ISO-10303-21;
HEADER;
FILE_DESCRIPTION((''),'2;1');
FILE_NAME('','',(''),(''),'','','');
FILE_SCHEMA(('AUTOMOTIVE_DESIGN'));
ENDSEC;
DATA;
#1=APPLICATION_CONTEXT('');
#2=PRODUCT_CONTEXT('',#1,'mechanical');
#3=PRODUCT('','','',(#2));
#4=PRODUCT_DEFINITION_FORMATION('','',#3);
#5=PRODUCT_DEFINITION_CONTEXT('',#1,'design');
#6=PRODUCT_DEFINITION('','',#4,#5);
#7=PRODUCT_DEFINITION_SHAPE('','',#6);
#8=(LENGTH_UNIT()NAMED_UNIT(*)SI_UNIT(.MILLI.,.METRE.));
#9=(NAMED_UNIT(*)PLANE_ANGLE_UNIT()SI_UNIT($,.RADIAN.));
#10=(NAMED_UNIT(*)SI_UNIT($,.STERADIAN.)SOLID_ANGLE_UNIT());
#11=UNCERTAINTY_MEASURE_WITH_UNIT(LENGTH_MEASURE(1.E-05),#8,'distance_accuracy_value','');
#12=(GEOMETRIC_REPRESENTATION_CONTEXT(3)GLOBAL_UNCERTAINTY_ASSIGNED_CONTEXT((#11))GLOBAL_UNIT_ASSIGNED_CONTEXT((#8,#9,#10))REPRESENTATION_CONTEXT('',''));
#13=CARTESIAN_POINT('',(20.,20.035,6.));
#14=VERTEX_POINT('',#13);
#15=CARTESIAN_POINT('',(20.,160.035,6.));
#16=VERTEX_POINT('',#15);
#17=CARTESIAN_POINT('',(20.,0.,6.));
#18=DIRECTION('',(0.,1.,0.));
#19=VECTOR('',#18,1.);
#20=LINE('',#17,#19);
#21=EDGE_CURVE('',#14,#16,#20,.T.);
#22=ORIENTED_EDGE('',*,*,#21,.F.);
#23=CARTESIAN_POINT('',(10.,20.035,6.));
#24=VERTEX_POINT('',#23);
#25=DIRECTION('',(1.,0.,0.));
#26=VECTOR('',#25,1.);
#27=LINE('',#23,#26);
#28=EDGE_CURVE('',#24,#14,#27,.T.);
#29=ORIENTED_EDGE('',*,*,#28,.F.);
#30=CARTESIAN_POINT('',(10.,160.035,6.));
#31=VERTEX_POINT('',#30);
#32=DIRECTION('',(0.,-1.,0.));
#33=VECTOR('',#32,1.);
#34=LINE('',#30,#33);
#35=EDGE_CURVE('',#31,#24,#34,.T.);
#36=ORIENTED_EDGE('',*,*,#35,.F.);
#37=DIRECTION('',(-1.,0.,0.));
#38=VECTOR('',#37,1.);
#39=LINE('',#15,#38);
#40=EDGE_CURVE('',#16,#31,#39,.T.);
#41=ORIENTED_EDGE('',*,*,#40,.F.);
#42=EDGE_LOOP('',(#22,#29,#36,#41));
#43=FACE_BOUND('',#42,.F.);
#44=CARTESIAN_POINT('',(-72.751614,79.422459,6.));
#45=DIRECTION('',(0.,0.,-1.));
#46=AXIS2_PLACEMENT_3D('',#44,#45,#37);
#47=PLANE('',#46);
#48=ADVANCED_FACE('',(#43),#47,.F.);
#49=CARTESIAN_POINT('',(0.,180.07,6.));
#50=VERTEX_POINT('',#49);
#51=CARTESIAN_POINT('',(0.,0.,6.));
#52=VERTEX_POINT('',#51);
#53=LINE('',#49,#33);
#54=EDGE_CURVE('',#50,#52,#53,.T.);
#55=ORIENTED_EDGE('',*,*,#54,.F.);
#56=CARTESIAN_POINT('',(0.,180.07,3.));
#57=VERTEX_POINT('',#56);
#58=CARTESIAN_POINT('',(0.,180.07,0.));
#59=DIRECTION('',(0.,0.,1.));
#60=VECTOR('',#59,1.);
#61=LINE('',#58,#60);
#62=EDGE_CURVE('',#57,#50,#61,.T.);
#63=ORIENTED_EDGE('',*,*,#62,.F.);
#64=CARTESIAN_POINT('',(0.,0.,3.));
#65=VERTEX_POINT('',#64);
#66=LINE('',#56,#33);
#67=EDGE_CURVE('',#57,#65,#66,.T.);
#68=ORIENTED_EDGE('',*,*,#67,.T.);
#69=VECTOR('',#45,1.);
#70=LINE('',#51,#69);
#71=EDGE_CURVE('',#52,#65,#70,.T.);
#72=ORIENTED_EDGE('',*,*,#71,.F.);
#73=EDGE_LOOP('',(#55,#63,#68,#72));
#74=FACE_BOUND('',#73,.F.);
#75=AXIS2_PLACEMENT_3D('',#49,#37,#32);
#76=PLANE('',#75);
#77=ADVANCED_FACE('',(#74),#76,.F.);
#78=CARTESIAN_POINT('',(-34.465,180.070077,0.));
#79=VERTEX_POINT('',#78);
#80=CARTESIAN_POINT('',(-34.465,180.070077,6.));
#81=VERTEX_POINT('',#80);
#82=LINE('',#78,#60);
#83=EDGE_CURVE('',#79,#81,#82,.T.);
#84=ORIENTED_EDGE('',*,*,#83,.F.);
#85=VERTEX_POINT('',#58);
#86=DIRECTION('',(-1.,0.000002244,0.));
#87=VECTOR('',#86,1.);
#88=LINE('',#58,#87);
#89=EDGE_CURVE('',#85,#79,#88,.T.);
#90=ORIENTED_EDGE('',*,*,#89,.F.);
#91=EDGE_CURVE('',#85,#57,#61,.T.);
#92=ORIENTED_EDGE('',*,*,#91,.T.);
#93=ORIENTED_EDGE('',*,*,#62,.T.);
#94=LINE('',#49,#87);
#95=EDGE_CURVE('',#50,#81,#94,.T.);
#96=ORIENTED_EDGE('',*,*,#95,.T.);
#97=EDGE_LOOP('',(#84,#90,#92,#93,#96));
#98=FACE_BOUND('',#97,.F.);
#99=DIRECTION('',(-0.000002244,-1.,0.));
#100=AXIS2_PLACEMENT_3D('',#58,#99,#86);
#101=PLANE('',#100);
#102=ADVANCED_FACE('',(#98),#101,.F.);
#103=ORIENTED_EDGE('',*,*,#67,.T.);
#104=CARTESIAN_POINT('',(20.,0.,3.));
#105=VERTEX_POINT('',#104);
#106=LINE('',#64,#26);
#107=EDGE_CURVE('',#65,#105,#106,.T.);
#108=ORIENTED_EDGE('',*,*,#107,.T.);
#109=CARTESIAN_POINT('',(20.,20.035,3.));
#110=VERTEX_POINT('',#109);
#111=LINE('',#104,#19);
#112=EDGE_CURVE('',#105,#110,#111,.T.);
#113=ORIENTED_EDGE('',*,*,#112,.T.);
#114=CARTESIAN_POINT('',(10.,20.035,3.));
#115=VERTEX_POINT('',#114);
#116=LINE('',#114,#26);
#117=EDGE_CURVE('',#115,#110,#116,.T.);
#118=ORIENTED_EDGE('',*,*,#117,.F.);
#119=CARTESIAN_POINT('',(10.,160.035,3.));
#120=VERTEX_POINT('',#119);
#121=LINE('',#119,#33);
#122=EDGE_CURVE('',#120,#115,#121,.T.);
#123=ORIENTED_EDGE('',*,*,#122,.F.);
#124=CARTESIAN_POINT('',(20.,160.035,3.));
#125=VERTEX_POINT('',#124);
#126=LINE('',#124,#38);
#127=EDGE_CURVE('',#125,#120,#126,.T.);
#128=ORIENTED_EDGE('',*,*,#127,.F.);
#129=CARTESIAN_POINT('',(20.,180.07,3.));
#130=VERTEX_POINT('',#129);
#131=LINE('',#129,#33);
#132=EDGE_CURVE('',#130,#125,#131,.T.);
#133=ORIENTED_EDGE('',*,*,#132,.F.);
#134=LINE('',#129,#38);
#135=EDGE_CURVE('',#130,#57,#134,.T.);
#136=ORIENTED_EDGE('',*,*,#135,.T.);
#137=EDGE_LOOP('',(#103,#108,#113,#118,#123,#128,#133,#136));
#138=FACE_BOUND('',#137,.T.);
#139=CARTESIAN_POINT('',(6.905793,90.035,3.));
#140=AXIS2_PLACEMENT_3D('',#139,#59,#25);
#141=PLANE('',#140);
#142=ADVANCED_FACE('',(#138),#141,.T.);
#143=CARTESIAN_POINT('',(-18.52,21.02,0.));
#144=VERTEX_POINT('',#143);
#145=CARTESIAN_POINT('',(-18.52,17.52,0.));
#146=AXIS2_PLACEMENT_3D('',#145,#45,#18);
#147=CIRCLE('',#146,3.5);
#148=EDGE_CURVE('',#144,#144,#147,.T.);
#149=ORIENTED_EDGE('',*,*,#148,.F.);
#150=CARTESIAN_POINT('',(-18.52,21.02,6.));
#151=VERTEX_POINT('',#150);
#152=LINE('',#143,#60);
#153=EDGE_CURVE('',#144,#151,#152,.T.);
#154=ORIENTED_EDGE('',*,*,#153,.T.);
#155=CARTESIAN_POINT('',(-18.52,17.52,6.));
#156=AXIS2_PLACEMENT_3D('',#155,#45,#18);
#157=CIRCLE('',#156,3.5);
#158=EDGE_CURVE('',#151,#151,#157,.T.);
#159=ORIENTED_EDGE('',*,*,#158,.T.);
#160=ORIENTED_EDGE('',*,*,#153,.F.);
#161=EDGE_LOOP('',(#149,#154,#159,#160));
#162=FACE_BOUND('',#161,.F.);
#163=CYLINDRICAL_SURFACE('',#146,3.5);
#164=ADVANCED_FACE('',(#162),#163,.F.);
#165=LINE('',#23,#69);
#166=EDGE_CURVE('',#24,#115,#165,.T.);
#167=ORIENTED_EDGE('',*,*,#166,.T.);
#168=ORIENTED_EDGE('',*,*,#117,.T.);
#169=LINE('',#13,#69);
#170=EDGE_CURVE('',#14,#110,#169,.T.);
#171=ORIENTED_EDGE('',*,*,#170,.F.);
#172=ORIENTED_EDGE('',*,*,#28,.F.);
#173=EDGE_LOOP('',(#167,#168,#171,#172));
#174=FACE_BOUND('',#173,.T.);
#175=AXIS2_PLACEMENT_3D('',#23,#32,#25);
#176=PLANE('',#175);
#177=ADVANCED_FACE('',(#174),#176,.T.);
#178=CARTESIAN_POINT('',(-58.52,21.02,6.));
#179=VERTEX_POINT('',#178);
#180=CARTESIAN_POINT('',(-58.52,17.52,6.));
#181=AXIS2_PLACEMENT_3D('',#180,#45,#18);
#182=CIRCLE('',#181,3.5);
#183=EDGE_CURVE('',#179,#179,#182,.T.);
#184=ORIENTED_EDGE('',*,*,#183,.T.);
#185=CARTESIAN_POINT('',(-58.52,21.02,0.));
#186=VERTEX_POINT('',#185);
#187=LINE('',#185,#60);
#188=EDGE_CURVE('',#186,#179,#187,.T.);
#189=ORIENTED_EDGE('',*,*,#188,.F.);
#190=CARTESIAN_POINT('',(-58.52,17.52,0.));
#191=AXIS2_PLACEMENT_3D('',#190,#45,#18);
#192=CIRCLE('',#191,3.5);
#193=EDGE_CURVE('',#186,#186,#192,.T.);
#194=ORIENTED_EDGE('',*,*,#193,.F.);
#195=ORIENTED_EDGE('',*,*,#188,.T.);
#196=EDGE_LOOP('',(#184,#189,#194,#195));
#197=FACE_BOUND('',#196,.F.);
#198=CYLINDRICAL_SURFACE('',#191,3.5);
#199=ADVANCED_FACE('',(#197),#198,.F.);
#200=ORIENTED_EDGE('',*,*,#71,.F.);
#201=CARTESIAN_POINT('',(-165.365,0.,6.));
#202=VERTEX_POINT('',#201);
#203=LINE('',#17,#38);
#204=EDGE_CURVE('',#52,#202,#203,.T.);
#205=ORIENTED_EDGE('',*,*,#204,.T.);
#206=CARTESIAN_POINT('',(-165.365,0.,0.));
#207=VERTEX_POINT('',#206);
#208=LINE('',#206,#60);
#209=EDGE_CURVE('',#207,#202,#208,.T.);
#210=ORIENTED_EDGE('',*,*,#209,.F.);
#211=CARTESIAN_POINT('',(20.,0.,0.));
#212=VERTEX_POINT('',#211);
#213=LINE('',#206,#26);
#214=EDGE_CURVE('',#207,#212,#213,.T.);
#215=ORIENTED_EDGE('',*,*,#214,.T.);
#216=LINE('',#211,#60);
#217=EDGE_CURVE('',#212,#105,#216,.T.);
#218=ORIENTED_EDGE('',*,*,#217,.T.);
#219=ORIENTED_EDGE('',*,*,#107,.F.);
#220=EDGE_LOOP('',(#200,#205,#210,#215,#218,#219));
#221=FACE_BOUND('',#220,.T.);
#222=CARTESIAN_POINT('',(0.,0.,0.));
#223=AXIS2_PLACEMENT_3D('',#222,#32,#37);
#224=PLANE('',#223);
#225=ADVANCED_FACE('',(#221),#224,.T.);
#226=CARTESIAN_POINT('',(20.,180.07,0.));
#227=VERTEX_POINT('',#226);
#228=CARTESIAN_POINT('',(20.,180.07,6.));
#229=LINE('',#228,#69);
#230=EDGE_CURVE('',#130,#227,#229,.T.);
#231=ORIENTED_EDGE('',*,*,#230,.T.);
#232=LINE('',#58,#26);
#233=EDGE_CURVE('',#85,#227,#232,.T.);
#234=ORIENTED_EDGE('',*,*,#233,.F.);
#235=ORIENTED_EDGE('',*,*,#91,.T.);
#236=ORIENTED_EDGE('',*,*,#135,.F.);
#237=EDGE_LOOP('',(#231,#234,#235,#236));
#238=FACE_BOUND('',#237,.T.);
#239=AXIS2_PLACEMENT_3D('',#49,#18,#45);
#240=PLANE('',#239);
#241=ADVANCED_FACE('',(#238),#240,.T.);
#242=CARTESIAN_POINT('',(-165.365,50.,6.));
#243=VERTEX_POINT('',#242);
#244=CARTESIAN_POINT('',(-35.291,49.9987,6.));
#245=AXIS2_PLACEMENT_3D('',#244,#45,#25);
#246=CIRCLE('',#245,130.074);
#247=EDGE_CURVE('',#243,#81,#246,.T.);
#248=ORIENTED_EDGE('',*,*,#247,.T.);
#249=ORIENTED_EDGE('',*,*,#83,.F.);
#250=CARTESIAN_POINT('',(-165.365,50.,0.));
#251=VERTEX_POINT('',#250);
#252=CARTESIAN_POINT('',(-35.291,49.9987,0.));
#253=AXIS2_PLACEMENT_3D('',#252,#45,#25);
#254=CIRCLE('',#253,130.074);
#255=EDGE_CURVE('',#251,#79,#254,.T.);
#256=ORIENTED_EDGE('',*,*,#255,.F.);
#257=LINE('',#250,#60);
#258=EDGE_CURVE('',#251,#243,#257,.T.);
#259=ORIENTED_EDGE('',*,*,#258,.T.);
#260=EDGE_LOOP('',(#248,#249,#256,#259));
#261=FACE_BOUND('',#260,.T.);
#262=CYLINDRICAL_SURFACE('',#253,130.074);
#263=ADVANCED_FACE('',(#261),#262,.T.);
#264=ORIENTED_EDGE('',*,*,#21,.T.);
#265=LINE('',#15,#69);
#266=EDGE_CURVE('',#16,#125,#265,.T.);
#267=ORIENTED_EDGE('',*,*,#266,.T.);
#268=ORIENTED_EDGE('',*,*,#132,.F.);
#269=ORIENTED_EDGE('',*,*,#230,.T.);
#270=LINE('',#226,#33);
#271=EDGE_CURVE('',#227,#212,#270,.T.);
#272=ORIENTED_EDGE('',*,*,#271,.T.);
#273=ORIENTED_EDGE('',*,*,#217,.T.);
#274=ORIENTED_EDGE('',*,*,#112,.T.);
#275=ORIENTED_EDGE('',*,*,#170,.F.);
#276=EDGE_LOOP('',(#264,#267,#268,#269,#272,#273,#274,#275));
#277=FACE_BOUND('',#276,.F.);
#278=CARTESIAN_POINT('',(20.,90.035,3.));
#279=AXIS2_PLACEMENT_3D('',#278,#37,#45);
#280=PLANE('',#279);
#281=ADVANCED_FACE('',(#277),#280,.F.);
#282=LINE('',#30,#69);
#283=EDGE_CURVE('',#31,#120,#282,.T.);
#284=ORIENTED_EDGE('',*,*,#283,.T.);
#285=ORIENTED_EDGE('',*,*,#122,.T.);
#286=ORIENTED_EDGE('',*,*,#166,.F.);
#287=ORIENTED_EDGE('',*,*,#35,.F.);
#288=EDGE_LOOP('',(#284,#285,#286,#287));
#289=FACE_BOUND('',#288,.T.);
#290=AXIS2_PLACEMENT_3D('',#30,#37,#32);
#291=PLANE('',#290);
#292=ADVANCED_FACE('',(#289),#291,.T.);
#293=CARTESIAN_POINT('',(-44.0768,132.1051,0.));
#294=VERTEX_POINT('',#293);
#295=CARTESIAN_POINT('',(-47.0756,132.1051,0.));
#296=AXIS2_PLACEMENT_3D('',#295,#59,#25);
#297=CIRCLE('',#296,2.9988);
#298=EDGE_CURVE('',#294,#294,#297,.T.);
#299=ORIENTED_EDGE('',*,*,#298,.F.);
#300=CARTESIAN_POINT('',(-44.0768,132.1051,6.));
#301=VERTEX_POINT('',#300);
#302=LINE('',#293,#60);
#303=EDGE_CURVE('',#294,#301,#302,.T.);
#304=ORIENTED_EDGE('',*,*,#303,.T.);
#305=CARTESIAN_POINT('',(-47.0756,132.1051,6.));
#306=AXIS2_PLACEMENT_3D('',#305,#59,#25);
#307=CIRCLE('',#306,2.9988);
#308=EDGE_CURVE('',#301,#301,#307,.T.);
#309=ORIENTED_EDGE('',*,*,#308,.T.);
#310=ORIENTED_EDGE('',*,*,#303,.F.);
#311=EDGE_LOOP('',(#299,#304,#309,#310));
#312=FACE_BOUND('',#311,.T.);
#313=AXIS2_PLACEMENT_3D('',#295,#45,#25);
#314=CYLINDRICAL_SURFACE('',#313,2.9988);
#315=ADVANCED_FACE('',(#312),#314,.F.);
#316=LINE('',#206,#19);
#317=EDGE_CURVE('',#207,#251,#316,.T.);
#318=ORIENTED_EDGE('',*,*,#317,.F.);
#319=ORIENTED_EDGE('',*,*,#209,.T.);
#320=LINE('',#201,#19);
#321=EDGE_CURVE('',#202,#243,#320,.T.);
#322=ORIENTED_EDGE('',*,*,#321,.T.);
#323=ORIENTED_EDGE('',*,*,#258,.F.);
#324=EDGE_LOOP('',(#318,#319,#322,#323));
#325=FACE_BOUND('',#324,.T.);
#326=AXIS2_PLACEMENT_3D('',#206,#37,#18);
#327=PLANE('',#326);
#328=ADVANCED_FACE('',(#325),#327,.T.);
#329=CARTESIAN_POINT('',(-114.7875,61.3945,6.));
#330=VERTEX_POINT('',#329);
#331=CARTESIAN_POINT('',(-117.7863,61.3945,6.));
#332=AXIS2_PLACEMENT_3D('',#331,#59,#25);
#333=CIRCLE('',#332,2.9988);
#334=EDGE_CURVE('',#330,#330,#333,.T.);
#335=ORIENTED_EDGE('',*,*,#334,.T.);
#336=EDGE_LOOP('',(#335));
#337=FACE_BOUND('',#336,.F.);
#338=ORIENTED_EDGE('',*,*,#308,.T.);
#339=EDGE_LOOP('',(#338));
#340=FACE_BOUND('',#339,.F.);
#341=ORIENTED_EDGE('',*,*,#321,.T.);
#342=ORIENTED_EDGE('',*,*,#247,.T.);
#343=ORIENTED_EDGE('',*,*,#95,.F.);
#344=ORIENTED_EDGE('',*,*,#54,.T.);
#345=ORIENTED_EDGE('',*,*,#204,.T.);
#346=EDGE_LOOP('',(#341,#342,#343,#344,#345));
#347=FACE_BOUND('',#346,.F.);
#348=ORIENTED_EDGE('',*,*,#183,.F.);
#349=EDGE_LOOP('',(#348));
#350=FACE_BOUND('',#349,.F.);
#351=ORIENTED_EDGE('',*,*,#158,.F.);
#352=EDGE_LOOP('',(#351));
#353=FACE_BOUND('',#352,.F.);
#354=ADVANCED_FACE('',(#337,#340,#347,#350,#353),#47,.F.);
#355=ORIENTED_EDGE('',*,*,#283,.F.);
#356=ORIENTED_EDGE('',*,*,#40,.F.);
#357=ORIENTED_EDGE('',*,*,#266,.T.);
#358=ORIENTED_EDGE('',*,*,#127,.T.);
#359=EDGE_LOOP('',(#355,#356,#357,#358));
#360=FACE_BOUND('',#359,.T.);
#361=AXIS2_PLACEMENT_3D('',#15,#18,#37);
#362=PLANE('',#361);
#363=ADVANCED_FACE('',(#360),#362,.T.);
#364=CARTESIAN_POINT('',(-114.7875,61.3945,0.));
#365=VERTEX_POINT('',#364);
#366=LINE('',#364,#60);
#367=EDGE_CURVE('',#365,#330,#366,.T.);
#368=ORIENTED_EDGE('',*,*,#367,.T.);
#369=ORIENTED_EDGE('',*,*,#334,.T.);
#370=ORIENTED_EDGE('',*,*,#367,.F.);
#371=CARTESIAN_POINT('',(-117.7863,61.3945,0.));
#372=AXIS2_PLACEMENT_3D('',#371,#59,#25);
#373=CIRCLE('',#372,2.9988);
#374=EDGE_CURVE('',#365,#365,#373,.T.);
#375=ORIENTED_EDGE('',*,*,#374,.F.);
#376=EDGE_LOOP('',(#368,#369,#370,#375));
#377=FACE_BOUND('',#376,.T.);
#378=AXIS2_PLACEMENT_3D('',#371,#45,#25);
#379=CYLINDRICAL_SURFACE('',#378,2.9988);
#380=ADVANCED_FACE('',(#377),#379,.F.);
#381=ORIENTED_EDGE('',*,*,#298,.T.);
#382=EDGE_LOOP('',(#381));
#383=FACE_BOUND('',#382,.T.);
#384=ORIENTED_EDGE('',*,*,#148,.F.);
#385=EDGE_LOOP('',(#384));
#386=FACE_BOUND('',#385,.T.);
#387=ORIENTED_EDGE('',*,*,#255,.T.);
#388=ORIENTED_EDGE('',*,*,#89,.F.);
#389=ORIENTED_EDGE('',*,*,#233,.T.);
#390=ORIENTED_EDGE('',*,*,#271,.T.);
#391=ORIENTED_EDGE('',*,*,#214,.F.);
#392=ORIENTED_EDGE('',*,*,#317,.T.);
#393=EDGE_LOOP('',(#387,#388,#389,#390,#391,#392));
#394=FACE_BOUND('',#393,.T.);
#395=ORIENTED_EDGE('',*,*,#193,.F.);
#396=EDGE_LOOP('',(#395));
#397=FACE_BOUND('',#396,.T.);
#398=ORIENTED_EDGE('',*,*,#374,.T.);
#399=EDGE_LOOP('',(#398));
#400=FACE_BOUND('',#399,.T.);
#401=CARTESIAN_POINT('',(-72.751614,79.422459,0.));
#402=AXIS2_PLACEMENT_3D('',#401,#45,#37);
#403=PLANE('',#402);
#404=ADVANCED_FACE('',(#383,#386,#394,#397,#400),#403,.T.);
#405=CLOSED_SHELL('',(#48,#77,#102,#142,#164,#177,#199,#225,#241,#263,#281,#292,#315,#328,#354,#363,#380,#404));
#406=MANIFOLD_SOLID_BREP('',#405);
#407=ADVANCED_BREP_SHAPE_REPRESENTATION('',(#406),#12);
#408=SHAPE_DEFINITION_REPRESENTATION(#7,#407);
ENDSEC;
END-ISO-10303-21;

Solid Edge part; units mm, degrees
sketch "Sketch1" plane through (0, 0, 0) normal (0, 0, 1) x (1, 0, 0)
  line L0 (0, 0) -> (-165.365, 0)
  line L1 (-165.365, 0) -> (-165.365, 50)
  arc A0 (-165.365, 50) -> (-34.465, 180.07) centre (-35.291, 49.9987) cw
  line L2 (0, 180.07) -> (-34.465, 180.07)
  line L3 (0, 0) -> (0, 180.07)
  circle A1 centre (-47.0756, 132.1051) radius 2.9988
  circle A2 centre (-117.7863, 61.3945) radius 2.9988
  dimension "D1" = 165.365
  dimension "D2" = 180.07
  dimension "D3" = 34.465
  dimension "D4" = 50
  dimension "D5" = 130.074
  dimension "D6" = 5.9975
  dimension "D7" = 70.7107
  dimension "D8" = 70.7107
  dimension "D9" = 47.0756
  dimension "D10" = 47.9649
extrude "Protrusion1" add sketch "Sketch1" along normal blind 6
sketch "Sketch2" plane through (0, 90.035, 3) normal (1, 0, 0) x (0, 1, 0)
  line L0 (-90.035, 3) -> (90.035, 3)
  line L1 (90.035, 3) -> (90.035, -3)
  line L2 (90.035, -3) -> (-90.035, -3)
  line L3 (-90.035, -3) -> (-90.035, 3)
extrude "Extrusionsausprägung_2" add sketch "Sketch2" along normal blind 20
sketch "Sketch3" plane through (-72.6825, 90.0363, 6) normal (0, 0, 1) x (1, 0, 0)
  line L0 (92.6825, 90.0337) -> (72.6825, 90.0337)
  line L1 (72.6825, 90.0337) -> (72.6825, -90.0363)
  line L2 (72.6825, -90.0363) -> (92.6825, -90.0363)
  line L3 (92.6825, -90.0363) -> (92.6825, -70.0013)
  line L4 (82.6825, -70.0013) -> (92.6825, -70.0013)
  line L5 (82.6825, 69.9987) -> (82.6825, -70.0013)
  line L6 (92.6825, 69.9987) -> (82.6825, 69.9987)
  line L7 (92.6825, 90.0337) -> (92.6825, 69.9987)
extrude "Extrusionsausschnitt_1" cut sketch "Sketch3" against normal blind 3
sketch "Sketch4" plane through (-72.6825, 90.0363, 0) normal (0, 0, -1) x (0, 1, 0)
  circle A0 centre (-72.5163, 54.1625) radius 3.5
  circle A1 centre (-72.5163, 14.1625) radius 3.5
  dimension "D1" = 7
  dimension "D2" = 40
  dimension "D3" = 17.52
  dimension "D4" = 38.52
extrude "Cutout1" cut sketch "Sketch4" against normal through all
properties material "Nylon, allgemein"
